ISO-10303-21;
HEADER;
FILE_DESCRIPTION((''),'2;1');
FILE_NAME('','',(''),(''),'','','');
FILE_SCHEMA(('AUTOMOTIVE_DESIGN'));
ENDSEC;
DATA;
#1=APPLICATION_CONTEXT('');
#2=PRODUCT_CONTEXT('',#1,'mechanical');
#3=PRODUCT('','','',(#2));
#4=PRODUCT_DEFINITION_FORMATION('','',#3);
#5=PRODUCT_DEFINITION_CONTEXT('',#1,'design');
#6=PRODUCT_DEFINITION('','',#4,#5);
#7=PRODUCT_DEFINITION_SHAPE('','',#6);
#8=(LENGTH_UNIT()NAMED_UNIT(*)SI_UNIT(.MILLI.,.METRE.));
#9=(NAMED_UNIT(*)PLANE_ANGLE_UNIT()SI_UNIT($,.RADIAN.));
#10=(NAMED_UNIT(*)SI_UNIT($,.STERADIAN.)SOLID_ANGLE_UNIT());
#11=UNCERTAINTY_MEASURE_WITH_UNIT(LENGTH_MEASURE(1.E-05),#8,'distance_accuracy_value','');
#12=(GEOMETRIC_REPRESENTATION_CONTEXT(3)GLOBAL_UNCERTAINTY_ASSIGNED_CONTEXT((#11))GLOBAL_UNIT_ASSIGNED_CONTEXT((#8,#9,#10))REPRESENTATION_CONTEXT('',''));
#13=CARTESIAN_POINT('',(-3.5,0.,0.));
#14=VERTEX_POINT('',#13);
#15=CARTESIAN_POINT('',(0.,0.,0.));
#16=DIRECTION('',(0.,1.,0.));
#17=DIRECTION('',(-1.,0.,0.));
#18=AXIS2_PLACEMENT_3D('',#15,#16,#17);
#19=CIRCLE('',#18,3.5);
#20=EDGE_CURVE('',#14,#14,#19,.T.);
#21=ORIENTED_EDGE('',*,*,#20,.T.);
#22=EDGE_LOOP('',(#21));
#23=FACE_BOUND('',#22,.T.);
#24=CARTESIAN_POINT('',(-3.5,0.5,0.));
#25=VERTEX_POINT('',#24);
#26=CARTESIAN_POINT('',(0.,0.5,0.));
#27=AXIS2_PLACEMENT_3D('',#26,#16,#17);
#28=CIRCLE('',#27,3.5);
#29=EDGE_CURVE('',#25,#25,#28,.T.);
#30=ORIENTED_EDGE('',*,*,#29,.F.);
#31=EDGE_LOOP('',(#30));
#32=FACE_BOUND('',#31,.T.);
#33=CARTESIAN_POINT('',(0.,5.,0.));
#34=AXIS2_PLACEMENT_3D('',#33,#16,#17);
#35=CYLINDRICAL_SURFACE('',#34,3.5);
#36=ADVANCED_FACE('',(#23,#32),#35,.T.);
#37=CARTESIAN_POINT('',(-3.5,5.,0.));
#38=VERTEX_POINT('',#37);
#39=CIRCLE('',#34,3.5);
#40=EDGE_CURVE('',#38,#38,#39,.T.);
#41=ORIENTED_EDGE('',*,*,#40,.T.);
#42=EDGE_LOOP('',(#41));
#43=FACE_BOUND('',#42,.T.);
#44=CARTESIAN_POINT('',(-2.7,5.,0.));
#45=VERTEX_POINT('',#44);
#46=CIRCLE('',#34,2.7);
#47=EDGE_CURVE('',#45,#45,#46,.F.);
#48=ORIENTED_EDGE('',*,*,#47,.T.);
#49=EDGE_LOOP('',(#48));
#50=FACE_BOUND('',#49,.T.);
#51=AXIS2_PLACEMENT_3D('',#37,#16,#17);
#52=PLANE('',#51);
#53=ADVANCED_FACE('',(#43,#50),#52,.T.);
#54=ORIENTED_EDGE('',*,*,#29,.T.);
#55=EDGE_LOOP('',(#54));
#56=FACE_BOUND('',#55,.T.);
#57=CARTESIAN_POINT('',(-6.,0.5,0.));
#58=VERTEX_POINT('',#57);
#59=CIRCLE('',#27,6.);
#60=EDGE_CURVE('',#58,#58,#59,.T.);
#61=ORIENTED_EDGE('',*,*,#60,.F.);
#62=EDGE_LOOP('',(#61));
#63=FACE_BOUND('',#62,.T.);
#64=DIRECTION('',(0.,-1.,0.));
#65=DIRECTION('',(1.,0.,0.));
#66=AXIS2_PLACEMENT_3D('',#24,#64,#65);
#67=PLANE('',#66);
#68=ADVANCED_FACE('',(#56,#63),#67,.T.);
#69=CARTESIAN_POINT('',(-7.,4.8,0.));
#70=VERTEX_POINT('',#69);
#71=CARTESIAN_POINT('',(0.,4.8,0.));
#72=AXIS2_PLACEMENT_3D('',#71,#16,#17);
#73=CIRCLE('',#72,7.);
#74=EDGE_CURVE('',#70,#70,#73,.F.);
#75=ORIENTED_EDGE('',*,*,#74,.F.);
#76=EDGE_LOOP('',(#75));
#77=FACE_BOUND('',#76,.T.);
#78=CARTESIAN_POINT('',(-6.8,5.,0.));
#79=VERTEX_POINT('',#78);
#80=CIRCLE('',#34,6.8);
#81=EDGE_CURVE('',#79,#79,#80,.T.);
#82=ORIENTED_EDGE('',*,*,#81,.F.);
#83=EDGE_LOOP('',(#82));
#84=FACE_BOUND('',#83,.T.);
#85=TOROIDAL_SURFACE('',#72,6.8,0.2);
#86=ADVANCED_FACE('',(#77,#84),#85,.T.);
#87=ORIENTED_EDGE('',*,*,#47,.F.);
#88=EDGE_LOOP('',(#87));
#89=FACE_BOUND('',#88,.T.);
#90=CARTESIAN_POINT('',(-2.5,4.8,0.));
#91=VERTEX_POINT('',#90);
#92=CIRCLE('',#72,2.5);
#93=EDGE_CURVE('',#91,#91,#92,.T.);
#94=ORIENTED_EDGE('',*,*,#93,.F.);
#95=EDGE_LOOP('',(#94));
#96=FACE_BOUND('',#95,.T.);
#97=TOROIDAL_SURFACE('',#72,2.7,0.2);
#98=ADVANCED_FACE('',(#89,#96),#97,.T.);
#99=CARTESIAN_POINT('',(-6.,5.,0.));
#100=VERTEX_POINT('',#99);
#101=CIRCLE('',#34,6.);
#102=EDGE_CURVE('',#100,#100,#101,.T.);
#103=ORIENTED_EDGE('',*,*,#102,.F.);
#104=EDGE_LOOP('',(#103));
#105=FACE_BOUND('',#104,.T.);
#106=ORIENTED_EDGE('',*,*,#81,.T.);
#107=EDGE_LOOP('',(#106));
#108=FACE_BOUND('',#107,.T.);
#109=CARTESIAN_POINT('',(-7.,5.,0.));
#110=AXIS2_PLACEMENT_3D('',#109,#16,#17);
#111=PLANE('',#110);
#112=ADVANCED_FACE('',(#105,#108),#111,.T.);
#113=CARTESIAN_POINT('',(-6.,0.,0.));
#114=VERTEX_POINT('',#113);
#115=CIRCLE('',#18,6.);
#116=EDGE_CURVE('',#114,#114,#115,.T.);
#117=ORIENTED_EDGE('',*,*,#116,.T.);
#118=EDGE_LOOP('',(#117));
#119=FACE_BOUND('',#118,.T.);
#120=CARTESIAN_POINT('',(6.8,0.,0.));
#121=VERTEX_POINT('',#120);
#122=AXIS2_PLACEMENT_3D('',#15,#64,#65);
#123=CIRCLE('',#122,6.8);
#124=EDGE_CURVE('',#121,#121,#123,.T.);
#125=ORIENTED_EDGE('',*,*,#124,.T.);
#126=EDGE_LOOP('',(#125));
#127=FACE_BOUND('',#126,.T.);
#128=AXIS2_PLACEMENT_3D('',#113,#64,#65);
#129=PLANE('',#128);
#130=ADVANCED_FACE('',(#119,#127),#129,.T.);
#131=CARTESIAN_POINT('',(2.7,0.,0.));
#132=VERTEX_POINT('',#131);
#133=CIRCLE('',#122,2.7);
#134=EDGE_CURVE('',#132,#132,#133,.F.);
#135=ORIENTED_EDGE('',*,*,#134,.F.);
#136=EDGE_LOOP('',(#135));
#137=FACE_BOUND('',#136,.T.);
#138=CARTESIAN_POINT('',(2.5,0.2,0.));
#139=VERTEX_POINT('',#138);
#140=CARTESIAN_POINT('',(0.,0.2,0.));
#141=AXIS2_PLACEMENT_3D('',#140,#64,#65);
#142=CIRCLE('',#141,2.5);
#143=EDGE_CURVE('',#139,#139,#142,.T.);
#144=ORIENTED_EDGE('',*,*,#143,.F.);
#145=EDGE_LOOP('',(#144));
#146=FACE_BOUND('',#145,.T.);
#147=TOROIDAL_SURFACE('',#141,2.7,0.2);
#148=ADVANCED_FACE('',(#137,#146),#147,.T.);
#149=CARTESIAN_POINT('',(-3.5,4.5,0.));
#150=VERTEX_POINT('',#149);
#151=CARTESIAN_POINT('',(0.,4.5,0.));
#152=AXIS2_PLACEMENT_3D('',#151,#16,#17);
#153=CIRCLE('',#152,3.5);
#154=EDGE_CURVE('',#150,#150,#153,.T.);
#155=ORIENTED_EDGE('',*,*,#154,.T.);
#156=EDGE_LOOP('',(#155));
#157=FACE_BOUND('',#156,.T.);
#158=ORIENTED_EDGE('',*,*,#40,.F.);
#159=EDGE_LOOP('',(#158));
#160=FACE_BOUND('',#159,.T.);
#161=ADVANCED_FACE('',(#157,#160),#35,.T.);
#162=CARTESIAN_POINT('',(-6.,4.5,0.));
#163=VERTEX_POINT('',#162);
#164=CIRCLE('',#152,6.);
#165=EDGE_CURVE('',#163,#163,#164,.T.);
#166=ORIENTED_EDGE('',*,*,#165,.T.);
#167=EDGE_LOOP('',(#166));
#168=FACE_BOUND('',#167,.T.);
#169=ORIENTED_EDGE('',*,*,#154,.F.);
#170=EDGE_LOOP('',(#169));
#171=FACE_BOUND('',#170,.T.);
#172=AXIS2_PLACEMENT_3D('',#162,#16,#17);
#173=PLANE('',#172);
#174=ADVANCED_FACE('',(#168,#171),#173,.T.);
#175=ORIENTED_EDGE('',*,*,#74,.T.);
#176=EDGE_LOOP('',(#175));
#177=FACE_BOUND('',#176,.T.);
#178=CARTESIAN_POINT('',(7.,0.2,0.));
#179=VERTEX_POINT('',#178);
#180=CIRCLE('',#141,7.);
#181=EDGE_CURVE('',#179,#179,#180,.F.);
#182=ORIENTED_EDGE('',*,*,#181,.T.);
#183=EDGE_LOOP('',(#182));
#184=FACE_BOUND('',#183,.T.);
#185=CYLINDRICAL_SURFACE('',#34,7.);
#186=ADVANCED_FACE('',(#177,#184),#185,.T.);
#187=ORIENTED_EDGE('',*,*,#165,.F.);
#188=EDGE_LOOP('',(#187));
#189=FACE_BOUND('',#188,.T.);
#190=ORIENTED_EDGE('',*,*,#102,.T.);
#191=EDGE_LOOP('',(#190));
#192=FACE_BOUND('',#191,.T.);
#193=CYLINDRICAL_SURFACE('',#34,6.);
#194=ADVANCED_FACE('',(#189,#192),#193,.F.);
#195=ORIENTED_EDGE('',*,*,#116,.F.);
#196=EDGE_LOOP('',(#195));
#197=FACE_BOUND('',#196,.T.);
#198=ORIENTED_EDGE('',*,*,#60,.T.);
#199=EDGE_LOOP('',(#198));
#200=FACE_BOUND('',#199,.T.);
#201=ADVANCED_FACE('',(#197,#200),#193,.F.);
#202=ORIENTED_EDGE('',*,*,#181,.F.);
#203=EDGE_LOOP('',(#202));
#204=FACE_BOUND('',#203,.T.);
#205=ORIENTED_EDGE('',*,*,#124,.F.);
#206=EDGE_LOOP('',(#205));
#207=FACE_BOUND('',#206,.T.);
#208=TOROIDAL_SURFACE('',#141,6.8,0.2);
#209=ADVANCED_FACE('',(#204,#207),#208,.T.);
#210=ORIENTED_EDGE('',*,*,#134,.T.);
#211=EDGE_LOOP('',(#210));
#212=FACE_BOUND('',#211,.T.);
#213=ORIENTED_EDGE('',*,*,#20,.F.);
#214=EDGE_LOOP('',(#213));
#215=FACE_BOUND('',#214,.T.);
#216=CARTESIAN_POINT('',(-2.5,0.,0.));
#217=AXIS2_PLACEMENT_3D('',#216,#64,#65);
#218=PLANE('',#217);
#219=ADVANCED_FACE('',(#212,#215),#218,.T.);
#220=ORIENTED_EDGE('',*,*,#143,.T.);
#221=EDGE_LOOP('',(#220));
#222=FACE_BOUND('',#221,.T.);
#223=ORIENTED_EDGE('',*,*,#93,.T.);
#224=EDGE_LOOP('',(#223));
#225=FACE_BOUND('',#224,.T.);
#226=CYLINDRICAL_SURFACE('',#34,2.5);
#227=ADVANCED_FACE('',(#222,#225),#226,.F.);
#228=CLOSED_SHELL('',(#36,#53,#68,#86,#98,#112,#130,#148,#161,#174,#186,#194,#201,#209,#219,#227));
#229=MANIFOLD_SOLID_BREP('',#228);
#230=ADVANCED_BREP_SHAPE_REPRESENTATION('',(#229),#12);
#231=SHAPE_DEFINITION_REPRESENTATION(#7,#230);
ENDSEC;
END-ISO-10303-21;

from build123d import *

# Parameters (mm, degrees)
FILLET1_R = 0.2


with BuildPart() as part:
    # Sketch1 → Revolve1 (revolve)
    with BuildSketch(Plane.XY):
        Polygon((-2.5, 0), (-3.5, 0), (-3.5, 0.5), (-6, 0.5), (-6, 0), (-7, 0), (-7, 5), (-6, 5), (-6, 4.5), (-3.5, 4.5), (-3.5, 5), (-2.5, 5), align=None)
    revolve(axis=Axis((0, 5, 0), (0, -1, 0)))

    # Fillet1
    fillet1_edges = [part.edges().sort_by_distance(p)[0] for p in [
        (7, 5, 0),
        (7, 0, 0),
        (2.5, 0, 0),
        (2.5, 5, 0),
    ]]
    fillet(fillet1_edges, radius=FILLET1_R)


solid = part.part
